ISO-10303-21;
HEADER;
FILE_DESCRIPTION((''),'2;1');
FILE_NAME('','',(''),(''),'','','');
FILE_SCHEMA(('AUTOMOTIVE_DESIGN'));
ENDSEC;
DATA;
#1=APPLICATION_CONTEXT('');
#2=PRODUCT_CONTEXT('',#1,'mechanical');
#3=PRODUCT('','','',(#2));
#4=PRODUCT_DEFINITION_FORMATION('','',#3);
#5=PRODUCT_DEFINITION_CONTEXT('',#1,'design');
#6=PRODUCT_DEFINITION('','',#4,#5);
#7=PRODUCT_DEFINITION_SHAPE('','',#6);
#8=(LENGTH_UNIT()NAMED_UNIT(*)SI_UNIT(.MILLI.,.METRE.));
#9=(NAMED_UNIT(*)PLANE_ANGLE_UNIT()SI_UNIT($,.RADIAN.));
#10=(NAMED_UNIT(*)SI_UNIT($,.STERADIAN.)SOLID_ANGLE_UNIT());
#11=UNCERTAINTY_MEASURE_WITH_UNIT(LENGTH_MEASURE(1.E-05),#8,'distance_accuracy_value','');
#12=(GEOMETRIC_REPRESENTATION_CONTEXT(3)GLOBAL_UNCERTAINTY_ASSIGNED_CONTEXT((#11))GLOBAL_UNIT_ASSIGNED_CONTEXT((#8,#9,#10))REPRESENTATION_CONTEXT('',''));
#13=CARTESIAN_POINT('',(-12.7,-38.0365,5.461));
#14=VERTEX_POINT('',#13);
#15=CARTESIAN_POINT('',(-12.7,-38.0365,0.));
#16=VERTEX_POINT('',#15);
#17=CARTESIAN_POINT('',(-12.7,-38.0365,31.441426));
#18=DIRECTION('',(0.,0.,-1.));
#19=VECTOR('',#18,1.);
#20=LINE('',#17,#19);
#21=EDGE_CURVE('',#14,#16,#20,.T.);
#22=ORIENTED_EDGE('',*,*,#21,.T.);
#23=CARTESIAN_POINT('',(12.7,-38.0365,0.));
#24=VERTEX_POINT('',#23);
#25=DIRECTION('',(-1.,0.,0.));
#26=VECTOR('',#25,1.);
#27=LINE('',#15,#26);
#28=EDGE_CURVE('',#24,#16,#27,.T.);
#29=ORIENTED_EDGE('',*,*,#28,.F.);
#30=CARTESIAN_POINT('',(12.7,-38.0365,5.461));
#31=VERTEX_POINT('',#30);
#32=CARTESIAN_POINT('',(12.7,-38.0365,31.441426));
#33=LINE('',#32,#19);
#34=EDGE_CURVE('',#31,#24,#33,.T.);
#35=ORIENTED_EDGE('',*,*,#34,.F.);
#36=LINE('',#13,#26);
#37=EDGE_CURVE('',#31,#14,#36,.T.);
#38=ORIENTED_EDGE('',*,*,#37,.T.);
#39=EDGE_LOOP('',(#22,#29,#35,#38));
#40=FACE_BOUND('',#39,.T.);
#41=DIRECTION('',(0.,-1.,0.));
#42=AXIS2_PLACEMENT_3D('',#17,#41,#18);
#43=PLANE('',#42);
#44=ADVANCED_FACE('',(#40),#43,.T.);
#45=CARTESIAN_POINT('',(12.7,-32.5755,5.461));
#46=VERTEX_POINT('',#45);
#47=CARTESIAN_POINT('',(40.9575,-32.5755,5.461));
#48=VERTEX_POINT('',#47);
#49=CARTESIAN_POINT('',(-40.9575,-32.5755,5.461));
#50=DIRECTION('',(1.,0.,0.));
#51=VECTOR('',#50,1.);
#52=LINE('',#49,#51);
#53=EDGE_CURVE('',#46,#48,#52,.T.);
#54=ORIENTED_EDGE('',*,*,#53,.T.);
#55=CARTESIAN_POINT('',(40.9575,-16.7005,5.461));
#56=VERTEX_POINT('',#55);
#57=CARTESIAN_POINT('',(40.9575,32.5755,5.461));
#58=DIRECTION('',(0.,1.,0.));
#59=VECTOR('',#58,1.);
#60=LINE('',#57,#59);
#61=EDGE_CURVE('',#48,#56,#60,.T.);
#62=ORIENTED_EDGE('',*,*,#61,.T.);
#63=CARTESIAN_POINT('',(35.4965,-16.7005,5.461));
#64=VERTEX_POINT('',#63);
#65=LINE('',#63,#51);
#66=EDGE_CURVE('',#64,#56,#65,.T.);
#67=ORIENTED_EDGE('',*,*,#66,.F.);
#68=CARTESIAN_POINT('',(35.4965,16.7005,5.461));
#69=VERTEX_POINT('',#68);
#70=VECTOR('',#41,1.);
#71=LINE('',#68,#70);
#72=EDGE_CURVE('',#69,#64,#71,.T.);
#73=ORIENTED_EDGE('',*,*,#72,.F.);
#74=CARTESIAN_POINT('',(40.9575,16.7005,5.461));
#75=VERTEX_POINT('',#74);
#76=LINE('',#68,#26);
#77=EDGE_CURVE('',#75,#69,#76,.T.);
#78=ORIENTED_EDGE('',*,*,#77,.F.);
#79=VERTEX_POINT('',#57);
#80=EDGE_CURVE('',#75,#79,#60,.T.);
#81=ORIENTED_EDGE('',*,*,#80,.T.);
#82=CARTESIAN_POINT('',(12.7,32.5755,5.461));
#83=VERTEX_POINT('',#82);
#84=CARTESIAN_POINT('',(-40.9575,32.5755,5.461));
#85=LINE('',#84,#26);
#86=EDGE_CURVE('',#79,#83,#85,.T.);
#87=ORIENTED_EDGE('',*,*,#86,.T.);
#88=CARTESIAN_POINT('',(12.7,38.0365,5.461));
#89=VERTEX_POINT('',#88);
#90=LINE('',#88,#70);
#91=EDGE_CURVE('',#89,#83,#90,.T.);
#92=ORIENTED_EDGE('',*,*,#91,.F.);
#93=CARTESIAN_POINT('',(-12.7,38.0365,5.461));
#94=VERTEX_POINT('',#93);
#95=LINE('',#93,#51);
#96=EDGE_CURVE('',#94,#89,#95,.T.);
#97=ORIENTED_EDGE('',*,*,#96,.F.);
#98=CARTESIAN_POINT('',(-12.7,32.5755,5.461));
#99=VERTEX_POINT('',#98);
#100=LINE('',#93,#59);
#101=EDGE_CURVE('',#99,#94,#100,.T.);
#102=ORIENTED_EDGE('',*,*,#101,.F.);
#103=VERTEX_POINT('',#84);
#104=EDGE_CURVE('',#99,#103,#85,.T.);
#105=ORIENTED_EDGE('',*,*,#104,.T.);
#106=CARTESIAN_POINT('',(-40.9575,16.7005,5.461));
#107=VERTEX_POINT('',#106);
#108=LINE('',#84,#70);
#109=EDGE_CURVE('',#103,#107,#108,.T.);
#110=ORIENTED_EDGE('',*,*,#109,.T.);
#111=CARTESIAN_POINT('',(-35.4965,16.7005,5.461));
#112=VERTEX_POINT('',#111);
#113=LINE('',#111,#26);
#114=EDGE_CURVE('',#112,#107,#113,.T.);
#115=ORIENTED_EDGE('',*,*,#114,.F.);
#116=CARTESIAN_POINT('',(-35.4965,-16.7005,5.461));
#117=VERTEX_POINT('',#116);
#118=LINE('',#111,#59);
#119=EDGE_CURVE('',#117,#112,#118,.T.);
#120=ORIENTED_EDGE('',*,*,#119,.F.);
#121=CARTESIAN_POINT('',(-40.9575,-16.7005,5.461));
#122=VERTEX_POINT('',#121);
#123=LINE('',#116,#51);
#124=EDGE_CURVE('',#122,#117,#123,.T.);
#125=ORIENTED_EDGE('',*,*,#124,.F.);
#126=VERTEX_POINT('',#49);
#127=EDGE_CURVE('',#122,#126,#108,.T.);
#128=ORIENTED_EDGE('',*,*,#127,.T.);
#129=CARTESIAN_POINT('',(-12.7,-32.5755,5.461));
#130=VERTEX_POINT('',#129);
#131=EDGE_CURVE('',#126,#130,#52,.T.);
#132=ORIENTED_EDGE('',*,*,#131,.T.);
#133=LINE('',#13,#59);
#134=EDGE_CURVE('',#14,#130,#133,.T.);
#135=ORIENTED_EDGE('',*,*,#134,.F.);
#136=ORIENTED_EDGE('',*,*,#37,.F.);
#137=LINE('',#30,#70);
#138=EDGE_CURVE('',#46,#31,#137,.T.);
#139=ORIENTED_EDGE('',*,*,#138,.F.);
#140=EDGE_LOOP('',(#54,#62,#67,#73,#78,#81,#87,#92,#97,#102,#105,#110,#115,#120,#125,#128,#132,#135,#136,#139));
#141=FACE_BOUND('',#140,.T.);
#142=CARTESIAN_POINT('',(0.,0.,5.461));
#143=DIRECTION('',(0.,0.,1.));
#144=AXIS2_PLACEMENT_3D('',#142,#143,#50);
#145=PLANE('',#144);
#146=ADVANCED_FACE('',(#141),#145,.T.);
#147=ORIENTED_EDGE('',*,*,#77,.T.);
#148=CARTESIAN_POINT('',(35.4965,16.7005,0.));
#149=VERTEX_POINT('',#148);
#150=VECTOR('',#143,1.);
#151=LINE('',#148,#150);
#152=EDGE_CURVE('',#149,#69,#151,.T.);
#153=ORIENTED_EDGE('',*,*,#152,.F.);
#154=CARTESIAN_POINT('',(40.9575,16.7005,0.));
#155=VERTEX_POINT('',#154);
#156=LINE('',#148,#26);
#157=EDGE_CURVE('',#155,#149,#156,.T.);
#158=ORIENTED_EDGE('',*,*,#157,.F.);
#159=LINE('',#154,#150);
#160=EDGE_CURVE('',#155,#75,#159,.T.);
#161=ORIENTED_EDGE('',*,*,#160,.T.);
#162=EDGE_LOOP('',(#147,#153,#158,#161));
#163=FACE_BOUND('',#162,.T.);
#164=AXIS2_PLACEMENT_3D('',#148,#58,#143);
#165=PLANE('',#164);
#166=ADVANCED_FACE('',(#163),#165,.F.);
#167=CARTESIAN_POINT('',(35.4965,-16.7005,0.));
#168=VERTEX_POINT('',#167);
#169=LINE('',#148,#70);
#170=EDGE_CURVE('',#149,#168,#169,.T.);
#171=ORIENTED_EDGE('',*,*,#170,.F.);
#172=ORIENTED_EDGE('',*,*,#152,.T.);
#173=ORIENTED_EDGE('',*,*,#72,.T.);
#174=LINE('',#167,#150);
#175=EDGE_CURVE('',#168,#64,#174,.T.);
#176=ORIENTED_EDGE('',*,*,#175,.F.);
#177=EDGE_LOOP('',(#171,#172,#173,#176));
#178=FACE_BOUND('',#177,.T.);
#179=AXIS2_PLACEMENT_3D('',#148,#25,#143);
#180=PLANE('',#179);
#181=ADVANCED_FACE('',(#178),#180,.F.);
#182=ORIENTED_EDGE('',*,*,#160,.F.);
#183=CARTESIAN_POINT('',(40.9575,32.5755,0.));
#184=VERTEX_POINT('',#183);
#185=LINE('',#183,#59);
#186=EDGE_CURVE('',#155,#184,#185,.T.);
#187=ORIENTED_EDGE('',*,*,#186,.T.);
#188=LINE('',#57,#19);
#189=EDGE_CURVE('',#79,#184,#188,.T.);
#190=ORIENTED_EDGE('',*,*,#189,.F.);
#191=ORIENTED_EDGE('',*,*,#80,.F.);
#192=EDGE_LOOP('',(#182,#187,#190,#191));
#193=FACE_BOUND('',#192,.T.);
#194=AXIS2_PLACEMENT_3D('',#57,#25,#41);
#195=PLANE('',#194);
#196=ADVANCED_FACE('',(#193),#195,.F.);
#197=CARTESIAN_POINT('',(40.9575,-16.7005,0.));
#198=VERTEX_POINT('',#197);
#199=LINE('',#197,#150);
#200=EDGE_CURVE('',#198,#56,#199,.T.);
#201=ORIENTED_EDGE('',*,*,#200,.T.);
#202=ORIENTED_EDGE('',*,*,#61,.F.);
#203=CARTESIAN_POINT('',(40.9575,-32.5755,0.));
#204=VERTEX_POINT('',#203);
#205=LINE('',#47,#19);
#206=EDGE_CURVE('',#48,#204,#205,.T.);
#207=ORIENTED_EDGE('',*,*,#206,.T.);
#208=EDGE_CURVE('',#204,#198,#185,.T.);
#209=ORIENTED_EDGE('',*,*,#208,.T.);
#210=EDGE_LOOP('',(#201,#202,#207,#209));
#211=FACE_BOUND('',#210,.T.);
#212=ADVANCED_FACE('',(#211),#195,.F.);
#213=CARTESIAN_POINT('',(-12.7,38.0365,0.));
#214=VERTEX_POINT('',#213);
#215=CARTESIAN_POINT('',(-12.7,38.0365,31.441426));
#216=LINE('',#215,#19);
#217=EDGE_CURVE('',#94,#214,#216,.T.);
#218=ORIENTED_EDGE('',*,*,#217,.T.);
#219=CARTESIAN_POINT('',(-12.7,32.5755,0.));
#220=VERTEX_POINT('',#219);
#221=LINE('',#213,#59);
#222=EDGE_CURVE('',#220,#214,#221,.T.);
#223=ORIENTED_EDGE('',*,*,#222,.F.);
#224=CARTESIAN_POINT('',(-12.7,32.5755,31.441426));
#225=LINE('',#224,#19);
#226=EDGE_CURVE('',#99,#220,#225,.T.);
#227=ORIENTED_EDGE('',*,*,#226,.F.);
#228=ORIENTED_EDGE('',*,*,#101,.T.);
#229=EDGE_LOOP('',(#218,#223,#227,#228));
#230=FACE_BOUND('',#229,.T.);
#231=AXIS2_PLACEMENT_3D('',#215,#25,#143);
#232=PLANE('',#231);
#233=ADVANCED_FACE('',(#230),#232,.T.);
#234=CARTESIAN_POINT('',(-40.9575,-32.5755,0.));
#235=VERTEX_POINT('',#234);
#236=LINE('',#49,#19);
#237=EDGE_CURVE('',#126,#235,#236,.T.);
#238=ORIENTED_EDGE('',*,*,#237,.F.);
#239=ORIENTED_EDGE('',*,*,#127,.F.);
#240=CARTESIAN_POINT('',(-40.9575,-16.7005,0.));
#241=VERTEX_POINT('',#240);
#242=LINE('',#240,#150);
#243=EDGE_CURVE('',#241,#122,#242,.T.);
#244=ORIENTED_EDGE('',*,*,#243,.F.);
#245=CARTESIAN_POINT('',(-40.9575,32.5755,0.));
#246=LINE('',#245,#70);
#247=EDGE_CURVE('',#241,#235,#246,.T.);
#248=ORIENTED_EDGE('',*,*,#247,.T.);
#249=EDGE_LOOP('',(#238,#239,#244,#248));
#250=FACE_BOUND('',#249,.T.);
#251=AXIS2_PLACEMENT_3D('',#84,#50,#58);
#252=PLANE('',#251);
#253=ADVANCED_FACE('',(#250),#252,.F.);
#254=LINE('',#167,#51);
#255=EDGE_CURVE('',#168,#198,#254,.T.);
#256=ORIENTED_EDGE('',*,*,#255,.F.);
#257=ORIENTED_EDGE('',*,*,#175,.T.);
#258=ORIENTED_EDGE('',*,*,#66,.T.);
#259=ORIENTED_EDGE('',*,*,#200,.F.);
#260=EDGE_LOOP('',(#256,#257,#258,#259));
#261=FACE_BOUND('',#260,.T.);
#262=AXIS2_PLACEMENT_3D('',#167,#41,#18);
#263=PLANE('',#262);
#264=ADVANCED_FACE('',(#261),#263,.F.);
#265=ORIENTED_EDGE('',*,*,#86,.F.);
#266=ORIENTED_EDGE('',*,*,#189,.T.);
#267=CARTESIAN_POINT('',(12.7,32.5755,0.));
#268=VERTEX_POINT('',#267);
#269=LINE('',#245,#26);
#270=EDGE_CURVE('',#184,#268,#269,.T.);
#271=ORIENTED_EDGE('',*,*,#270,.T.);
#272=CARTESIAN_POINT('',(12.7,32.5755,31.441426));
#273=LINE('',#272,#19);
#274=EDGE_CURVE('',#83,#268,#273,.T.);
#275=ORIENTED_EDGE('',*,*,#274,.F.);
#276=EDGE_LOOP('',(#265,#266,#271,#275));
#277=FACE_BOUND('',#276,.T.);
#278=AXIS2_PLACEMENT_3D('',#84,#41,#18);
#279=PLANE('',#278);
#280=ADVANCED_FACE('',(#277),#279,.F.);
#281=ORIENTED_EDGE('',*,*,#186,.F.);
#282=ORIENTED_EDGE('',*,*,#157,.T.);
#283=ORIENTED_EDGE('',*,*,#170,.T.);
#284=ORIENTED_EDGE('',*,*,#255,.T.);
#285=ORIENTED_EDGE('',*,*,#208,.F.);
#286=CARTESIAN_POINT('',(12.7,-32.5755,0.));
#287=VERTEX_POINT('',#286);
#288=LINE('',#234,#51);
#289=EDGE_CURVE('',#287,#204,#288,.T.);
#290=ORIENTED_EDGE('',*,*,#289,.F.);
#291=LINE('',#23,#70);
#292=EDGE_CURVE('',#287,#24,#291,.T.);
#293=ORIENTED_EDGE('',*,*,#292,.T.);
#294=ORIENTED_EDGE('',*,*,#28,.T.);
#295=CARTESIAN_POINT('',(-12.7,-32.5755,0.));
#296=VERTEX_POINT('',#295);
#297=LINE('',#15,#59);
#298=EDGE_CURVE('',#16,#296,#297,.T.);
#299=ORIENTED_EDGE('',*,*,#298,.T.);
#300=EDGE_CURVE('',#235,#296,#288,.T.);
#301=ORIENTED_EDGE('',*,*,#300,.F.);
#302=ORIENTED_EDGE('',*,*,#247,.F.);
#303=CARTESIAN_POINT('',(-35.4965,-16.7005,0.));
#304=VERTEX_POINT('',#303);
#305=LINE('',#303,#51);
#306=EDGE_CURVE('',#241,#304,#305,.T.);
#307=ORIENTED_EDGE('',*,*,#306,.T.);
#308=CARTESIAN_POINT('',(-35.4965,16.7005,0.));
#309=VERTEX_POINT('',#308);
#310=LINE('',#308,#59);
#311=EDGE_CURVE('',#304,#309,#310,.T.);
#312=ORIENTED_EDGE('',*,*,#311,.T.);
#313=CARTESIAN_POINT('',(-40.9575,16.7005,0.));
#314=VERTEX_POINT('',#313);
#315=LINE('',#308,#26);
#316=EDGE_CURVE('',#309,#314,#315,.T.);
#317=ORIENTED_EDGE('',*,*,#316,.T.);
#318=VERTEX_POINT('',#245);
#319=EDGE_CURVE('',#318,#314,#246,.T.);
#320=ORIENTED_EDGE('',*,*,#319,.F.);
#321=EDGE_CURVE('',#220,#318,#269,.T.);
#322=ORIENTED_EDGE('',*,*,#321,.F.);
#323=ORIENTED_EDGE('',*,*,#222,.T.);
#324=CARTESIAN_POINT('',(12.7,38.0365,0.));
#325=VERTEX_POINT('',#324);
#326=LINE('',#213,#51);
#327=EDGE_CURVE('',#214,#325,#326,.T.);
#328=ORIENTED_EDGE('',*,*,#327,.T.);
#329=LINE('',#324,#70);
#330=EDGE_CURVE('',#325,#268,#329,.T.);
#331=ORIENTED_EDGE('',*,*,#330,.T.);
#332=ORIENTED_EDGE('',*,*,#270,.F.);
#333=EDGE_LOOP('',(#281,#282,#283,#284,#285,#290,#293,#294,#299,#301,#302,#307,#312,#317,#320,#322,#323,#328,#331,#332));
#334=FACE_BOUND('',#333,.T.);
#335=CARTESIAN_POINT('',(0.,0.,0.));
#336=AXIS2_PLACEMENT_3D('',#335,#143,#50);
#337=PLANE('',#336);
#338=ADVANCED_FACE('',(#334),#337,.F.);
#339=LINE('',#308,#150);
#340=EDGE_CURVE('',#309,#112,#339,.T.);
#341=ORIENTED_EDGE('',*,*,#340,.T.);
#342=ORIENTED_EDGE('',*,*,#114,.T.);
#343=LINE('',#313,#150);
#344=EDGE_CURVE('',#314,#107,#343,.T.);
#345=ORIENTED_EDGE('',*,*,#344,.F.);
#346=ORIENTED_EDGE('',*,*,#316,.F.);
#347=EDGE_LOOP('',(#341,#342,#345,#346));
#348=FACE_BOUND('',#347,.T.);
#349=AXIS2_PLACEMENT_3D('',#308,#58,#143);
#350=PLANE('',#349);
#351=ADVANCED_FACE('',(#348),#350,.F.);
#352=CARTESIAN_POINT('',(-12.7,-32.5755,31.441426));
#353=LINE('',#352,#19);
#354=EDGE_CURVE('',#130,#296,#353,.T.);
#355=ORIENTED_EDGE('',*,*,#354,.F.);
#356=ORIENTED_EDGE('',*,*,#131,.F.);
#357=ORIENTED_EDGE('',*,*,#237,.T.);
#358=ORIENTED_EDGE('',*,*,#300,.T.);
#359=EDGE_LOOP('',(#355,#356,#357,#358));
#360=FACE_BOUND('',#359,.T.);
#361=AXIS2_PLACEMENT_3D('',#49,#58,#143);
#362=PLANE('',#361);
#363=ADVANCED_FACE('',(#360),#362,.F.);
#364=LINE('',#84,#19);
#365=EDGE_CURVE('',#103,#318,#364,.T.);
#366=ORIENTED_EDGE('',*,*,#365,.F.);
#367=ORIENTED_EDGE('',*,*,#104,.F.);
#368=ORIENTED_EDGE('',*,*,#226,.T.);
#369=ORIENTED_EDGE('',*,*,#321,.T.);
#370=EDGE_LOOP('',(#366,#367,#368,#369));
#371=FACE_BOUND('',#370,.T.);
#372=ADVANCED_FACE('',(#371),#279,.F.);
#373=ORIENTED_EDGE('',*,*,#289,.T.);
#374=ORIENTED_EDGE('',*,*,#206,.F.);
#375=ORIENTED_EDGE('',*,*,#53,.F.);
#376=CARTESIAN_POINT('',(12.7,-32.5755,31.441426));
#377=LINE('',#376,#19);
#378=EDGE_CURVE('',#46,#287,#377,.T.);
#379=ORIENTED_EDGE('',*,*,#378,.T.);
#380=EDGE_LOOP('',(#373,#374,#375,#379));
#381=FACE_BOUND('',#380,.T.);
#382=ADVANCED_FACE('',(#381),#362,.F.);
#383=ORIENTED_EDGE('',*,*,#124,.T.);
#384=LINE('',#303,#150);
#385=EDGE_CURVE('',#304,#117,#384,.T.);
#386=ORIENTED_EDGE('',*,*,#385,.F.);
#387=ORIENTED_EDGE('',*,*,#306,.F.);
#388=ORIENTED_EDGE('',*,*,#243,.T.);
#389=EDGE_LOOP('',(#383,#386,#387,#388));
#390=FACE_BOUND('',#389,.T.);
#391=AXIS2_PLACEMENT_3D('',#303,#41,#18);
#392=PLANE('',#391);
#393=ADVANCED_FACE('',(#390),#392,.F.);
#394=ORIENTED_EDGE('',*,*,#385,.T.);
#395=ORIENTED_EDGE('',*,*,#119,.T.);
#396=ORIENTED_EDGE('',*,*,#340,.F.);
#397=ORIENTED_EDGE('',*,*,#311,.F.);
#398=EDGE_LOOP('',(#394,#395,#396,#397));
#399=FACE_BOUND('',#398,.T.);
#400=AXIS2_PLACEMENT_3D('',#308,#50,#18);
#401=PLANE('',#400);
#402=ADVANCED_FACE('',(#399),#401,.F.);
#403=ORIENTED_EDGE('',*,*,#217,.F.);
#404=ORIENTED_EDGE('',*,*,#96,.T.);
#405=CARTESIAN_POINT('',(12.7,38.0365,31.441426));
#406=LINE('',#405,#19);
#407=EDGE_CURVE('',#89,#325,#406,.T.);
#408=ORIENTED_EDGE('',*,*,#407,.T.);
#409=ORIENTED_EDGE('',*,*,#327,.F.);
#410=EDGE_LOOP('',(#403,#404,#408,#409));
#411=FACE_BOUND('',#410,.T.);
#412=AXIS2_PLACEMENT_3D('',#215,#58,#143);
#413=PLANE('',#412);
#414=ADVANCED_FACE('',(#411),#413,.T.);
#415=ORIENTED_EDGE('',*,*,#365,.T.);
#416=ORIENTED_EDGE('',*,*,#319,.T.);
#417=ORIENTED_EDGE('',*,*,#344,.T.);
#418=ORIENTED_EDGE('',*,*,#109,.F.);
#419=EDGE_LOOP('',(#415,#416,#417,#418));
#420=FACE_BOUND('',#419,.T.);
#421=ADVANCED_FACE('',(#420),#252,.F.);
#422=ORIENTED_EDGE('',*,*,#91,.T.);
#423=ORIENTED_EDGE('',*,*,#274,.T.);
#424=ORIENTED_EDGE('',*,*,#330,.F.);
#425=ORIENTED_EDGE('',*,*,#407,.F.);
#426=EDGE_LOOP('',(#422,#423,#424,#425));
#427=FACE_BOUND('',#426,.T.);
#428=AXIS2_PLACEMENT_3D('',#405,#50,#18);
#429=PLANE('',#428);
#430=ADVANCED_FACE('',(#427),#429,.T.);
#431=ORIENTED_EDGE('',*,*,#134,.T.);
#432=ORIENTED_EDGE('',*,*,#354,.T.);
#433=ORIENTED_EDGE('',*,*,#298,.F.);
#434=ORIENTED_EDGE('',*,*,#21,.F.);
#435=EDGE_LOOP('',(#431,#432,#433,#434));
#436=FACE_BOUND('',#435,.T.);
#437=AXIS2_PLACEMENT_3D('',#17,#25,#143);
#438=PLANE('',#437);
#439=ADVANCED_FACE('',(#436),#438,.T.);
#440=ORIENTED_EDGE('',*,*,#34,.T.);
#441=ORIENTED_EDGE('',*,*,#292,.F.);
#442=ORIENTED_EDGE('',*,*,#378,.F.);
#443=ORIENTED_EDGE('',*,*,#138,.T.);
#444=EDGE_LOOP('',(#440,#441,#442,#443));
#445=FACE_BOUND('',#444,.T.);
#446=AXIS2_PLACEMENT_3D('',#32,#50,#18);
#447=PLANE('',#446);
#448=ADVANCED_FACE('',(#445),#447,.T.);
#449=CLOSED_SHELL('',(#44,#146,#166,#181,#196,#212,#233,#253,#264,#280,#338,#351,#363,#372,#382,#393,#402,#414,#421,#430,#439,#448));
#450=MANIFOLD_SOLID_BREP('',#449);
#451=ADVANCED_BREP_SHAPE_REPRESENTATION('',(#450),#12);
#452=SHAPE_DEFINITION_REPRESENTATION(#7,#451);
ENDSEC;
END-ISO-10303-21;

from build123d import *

# Parameters (mm, degrees)
SKETCH1_W           = 81.915
SKETCH1_H           = 65.151
BOSS_EXTRUDE1_DEPTH = 5.461
SKETCH2_W           = 5.461
SKETCH2_H           = 33.401
CUT_EXTRUDE1_DEPTH  = 6.461
SKETCH5_W           = 25.4
SKETCH5_H           = 5.461
BOSS_EXTRUDE2_DEPTH = 5.461


with BuildPart() as part:
    # Sketch1 → Boss-Extrude1 (new body)
    with BuildSketch(Plane.XY):
        Rectangle(SKETCH1_W, SKETCH1_H)
    extrude(amount=BOSS_EXTRUDE1_DEPTH)

    # Sketch2 → Cut-Extrude1 (cut, through all)
    with BuildSketch(Plane.XY.offset(5.461)):
        with Locations((-38.227, 0)):
            Rectangle(SKETCH2_W, SKETCH2_H)
        with Locations((38.227, 0)):
            Rectangle(SKETCH2_W, SKETCH2_H)
    extrude(amount=-CUT_EXTRUDE1_DEPTH, mode=Mode.SUBTRACT)

    # Sketch5 → Boss-Extrude2 (add)
    with BuildSketch(Plane(origin=(0, 0, 0), x_dir=(-1, 0, 0), z_dir=(0, 0, -1))):
        with Locations((0, 35.306)):
            Rectangle(SKETCH5_W, SKETCH5_H)
        with Locations((0, -35.306)):
            Rectangle(SKETCH5_W, SKETCH5_H)
    extrude(amount=-BOSS_EXTRUDE2_DEPTH)


solid = part.part
